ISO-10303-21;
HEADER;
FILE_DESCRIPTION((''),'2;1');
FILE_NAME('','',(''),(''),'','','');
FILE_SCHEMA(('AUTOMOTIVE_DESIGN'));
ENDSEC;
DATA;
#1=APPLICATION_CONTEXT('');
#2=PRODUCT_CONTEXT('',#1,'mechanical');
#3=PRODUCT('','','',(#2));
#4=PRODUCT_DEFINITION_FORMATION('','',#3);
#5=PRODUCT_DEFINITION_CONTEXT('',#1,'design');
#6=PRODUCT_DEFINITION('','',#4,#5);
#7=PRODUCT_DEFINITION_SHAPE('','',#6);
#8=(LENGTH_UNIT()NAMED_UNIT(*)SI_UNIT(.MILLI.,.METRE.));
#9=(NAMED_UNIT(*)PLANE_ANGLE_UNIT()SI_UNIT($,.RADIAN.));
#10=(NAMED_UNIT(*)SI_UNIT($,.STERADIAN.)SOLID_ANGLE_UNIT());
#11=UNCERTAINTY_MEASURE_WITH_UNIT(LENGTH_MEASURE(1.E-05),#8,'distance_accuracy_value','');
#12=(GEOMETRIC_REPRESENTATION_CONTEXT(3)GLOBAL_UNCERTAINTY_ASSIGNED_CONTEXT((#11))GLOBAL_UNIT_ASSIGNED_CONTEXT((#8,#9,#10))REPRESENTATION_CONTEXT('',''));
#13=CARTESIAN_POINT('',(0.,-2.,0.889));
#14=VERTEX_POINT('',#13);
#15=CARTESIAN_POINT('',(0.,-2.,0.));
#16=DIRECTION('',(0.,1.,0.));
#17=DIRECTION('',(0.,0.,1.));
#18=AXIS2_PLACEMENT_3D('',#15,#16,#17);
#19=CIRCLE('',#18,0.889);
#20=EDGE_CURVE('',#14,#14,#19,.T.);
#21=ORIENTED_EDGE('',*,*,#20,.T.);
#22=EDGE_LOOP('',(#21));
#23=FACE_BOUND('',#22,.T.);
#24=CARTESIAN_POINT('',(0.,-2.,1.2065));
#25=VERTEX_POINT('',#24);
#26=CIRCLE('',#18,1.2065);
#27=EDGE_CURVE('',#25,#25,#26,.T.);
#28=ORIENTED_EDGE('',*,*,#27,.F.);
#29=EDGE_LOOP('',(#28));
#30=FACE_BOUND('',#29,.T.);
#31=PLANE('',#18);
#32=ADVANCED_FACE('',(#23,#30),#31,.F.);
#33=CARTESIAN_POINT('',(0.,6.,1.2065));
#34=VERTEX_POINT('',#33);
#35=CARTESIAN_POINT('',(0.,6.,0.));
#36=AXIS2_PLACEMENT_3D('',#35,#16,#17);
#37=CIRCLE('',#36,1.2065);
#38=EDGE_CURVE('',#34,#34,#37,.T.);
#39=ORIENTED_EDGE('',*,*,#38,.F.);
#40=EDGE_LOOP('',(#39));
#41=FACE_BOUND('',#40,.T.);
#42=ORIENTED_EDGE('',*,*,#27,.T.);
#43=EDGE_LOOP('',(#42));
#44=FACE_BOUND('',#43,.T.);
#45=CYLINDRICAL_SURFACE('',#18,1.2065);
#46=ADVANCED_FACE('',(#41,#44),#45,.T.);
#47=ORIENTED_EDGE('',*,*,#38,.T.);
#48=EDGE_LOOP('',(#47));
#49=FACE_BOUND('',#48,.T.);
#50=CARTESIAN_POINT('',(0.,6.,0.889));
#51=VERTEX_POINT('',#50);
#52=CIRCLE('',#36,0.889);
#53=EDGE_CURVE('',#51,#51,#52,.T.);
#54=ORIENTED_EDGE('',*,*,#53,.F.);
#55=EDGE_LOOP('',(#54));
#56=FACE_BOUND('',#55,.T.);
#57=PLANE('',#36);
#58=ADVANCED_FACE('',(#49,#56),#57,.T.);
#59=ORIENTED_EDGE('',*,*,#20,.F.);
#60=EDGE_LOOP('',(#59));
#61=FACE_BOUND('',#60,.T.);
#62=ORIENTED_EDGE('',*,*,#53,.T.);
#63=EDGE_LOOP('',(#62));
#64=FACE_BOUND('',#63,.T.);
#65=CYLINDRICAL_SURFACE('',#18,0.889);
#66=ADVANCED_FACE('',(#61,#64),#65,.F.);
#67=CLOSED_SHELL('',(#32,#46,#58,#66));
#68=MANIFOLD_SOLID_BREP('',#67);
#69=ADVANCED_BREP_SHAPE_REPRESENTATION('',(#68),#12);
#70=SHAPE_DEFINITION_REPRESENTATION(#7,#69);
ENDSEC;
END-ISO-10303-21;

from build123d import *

# Parameters (mm, degrees)
SKETCH1_R                = 1.2065
SKETCH1_R_2              = 0.889
BOSS_EXTRUDE1_DEPTH      = 6
BOSS_EXTRUDE1_DEPTH_BACK = 2


with BuildPart() as part:
    # Sketch1 → Boss-Extrude1 (new body, two sides)
    with BuildSketch(Plane(origin=(0, 0, 0), x_dir=(1, 0, 0), z_dir=(0, 1, 0))) as boss_extrude1_sk:
        Circle(SKETCH1_R)
        Circle(SKETCH1_R_2, mode=Mode.SUBTRACT)
    extrude(amount=BOSS_EXTRUDE1_DEPTH)
    extrude(boss_extrude1_sk.sketch, amount=-BOSS_EXTRUDE1_DEPTH_BACK)


solid = part.part
